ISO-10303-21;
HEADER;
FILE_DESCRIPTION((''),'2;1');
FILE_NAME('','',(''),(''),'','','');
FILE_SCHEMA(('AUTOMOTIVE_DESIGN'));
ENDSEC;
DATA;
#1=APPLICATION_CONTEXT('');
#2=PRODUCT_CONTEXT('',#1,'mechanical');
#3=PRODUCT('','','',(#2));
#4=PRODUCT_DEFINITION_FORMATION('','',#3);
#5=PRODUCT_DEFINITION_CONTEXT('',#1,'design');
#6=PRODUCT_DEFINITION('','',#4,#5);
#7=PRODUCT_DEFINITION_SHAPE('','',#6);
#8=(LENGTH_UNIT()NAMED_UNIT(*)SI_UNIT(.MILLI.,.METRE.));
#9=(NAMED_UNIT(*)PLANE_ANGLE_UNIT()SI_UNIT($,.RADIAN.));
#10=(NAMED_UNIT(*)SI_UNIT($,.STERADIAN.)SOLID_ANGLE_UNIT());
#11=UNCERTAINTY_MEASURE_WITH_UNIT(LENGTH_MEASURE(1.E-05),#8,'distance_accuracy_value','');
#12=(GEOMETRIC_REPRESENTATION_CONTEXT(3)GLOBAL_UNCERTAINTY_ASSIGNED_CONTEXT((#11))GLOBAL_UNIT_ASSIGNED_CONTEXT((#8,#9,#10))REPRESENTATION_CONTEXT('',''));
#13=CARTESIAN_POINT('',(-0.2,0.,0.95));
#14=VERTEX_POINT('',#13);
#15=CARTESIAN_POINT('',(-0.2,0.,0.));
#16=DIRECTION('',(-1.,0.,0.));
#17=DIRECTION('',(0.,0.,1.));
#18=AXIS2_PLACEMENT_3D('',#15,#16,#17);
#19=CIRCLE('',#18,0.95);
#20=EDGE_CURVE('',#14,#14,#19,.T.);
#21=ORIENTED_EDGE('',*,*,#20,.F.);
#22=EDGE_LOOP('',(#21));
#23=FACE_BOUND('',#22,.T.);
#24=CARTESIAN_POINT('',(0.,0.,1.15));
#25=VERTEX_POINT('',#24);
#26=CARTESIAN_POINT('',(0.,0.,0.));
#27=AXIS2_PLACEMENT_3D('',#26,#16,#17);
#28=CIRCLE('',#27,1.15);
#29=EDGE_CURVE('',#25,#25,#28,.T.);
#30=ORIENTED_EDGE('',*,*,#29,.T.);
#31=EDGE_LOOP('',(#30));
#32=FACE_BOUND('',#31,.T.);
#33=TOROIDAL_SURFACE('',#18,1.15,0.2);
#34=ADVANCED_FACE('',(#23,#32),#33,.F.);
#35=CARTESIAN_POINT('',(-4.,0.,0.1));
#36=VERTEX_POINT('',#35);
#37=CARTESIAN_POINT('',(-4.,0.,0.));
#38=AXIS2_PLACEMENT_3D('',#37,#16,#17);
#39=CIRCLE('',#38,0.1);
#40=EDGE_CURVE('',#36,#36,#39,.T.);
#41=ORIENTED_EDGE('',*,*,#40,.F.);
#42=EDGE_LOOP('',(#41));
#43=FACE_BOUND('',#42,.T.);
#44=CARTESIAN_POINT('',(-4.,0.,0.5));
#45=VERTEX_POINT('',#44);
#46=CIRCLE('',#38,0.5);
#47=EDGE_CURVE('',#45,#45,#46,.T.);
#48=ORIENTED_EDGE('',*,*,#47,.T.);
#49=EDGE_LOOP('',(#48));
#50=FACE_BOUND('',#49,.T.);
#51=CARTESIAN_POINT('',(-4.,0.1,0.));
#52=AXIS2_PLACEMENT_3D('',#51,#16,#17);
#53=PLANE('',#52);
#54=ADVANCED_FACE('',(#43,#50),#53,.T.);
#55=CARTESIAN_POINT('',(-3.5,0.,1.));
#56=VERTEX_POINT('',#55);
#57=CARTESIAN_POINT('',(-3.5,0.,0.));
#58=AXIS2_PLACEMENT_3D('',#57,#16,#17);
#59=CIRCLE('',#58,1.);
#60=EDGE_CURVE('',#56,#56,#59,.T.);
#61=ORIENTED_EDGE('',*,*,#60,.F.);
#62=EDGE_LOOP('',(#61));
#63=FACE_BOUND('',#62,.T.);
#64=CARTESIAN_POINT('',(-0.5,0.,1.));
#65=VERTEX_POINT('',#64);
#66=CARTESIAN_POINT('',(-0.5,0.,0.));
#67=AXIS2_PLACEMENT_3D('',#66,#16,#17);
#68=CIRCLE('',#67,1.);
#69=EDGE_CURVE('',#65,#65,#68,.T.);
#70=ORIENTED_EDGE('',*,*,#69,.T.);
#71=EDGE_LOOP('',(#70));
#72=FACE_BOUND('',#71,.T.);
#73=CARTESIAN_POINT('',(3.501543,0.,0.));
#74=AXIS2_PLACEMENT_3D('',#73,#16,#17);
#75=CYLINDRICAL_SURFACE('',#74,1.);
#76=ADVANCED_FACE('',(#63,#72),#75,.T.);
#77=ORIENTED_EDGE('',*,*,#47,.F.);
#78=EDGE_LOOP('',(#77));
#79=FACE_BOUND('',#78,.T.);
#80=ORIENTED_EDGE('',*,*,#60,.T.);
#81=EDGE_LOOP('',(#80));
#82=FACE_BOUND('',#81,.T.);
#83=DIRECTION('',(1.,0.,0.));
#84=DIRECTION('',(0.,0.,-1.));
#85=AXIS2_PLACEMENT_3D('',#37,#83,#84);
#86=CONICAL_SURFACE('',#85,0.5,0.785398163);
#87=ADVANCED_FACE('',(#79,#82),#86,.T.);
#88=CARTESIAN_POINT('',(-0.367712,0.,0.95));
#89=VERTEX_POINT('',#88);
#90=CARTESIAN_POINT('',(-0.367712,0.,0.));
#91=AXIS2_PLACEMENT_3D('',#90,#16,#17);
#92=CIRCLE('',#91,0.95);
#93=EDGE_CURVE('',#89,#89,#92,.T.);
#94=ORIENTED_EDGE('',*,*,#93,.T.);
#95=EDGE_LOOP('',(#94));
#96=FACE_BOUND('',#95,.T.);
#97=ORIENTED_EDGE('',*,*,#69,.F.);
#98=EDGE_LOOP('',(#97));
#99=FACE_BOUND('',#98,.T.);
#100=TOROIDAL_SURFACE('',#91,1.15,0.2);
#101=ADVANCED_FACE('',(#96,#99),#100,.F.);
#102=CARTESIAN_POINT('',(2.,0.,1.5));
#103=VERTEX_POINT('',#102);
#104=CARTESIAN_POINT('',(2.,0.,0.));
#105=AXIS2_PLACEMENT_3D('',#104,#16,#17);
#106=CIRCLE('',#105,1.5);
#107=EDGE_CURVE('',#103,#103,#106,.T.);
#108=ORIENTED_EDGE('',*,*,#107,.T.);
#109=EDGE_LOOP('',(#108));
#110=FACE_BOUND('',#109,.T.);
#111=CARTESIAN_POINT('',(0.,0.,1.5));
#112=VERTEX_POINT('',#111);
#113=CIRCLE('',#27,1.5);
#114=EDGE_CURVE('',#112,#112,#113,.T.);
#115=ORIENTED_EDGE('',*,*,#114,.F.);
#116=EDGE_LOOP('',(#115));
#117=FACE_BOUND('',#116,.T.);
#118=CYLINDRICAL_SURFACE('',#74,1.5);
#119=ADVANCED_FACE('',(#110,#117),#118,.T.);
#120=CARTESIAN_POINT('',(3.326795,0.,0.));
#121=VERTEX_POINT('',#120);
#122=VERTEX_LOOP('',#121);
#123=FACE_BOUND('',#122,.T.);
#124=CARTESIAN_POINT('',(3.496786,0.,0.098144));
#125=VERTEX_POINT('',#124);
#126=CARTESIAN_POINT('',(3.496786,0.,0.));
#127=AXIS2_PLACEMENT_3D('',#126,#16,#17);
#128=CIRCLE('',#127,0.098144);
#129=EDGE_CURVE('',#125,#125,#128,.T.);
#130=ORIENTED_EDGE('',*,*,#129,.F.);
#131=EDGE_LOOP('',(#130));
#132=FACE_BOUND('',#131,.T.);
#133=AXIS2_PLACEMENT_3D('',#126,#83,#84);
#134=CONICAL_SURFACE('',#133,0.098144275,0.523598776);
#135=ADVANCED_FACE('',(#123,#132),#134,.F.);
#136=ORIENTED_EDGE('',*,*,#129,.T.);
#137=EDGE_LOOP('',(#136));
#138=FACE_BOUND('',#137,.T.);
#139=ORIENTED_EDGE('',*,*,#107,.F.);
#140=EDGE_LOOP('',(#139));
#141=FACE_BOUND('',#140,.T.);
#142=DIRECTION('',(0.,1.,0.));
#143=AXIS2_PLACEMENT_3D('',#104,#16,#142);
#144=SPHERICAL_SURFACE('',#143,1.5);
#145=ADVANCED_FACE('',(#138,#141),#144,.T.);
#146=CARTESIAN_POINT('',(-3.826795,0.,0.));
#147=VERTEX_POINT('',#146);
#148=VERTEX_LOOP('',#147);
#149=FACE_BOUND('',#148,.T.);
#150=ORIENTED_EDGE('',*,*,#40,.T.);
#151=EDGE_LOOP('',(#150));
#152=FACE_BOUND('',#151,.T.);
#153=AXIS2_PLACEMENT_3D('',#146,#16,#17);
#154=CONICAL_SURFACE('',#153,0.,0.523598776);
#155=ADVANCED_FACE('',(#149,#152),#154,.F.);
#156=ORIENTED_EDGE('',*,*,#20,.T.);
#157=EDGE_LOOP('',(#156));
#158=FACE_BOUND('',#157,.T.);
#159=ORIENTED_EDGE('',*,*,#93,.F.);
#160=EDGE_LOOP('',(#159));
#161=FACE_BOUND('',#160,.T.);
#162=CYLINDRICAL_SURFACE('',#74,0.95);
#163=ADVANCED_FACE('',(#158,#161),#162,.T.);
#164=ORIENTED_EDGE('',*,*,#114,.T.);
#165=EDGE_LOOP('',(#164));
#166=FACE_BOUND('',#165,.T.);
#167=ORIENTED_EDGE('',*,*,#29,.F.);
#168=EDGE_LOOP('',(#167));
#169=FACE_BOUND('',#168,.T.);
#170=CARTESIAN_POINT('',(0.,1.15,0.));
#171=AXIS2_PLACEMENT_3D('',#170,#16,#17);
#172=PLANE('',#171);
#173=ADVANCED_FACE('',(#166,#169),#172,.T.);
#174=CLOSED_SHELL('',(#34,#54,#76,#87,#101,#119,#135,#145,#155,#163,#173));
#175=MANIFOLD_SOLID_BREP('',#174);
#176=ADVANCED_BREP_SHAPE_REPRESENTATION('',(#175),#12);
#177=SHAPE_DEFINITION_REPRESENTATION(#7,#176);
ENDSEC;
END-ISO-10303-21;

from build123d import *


with BuildPart() as part:
    # Sketch1 → Revolve1 (revolve)
    with BuildSketch(Plane(origin=(0, 0, 0), x_dir=(-1, 0, 0), z_dir=(0, 0, -1)), mode=Mode.PRIVATE) as revolve1_sk:
        with BuildLine():
            Line((-3.49678579, 0.098144275), (-3.326794919, 0))
            Line((-3.326794919, 0), (3.826794919, 0))
            Line((3.826794919, 0), (4, 0.1))
            Line((4, 0.1), (4, 0.5))
            Line((4, 0.5), (3.5, 1))
            Line((3.5, 1), (0.5, 1))
            ThreePointArc((0.5, 1), (0.438423113, 0.962917131), (0.367712434, 0.95))
            Line((0.367712434, 0.95), (0.2, 0.95))
            ThreePointArc((0.2, 0.95), (0.058578644, 1.008578644), (0, 1.15))
            Line((0, 1.15), (0, 1.5))
            Line((0, 1.5), (-2, 1.5))
            ThreePointArc((-2, 1.5), (-3.025373978, 1.094809667), (-3.49678579, 0.098144275))
        make_face()
    revolve(revolve1_sk.sketch.rotate(Axis((3.501542885, 0, 0), (-1, 0, 0)), 270), axis=Axis((3.501542885, 0, 0), (-1, 0, 0)))


solid = part.part
